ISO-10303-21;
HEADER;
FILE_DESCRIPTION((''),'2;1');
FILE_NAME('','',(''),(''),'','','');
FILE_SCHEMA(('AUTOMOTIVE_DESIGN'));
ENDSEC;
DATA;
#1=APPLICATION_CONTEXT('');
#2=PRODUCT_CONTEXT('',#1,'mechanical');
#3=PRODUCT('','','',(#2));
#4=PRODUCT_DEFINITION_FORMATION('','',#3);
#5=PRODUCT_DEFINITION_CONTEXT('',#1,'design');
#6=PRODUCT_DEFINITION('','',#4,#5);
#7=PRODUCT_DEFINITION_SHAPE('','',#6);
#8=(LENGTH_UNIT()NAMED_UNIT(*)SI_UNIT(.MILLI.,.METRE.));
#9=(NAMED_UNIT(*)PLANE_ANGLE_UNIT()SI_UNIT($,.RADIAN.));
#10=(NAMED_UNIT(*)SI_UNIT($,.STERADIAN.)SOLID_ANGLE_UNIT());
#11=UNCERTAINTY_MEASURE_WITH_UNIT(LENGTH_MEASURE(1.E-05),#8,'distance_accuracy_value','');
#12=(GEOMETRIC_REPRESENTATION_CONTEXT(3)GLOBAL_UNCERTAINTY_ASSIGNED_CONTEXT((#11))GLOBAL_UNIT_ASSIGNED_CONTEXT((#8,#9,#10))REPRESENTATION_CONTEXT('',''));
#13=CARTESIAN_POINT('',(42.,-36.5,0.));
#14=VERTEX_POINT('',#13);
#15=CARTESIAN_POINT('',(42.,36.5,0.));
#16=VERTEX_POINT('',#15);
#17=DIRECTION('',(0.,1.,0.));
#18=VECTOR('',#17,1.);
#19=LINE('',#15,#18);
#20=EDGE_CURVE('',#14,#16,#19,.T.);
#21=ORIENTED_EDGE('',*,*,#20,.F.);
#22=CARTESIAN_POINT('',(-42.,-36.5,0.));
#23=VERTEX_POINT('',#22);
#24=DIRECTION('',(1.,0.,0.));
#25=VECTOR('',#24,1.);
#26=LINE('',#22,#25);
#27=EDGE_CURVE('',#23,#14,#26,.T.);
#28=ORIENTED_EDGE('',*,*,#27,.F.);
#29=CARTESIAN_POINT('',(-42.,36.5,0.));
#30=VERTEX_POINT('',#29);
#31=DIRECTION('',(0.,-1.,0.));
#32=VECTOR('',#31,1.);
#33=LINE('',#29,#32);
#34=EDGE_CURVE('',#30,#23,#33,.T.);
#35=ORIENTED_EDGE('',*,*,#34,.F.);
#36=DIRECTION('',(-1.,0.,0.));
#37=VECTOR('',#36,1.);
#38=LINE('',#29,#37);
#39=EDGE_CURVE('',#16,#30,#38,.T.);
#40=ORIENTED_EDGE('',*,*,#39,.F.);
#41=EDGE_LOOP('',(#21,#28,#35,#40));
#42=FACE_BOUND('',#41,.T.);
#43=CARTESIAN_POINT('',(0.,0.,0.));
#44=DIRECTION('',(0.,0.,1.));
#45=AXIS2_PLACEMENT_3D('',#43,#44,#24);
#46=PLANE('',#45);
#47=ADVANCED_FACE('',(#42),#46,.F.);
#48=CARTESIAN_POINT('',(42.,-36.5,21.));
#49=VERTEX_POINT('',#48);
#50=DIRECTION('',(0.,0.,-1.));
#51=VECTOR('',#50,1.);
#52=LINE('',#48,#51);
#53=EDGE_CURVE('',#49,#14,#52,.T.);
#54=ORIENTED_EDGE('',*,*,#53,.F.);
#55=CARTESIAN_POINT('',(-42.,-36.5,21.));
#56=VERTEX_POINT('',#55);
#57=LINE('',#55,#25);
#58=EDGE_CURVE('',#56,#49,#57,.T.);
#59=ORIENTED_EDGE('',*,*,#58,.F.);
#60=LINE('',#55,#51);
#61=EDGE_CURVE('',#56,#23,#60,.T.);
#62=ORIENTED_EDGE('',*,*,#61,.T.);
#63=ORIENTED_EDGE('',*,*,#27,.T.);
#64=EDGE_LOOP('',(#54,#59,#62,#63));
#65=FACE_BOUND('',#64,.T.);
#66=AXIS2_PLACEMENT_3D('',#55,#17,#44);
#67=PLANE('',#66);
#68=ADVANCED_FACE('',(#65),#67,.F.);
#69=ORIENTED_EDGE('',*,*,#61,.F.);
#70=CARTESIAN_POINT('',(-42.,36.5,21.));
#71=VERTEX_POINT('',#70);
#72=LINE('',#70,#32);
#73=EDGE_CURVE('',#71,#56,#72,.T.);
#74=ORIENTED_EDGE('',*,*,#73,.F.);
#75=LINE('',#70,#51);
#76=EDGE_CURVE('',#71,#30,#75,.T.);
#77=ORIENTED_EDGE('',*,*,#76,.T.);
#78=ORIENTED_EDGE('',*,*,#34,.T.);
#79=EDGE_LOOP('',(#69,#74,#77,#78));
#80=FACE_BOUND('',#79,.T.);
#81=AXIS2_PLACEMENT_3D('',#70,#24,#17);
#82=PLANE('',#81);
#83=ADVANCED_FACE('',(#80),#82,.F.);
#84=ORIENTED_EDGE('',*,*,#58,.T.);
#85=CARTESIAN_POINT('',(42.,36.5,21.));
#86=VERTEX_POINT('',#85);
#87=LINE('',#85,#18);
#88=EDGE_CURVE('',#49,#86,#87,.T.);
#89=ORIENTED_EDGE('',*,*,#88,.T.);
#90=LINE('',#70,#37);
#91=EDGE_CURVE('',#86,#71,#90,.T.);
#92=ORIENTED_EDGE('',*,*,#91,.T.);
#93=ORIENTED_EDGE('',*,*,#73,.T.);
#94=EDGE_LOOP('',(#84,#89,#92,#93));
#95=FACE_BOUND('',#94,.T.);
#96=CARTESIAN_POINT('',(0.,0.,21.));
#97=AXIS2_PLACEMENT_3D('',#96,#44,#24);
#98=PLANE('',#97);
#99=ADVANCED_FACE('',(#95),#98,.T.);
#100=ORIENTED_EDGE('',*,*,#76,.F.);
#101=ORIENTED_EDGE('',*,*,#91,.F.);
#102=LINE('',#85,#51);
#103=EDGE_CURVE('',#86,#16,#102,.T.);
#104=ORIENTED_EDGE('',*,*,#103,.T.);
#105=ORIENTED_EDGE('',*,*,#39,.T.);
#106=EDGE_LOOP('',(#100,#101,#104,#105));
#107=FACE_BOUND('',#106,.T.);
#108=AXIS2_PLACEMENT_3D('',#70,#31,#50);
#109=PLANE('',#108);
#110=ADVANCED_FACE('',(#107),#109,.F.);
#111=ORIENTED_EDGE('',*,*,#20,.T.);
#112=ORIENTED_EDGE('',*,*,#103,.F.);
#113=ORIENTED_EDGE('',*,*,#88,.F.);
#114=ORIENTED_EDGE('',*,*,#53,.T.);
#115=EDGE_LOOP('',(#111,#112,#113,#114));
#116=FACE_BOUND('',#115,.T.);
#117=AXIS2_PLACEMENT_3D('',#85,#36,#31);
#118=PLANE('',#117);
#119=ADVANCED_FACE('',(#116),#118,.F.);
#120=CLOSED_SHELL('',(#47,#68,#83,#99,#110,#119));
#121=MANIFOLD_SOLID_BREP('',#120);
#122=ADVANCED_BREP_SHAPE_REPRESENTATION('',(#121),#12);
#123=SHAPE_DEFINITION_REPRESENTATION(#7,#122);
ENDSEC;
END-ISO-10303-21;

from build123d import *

# Parameters (mm, degrees)
SKETCH_1_W      = 84
SKETCH_1_H      = 73
EXTRUDE_1_DEPTH = 21


with BuildPart() as part:
    # 草图1 → 凸台-拉伸1 (new body)
    with BuildSketch(Plane.XY):
        Rectangle(SKETCH_1_W, SKETCH_1_H)
    extrude(amount=EXTRUDE_1_DEPTH)


solid = part.part
